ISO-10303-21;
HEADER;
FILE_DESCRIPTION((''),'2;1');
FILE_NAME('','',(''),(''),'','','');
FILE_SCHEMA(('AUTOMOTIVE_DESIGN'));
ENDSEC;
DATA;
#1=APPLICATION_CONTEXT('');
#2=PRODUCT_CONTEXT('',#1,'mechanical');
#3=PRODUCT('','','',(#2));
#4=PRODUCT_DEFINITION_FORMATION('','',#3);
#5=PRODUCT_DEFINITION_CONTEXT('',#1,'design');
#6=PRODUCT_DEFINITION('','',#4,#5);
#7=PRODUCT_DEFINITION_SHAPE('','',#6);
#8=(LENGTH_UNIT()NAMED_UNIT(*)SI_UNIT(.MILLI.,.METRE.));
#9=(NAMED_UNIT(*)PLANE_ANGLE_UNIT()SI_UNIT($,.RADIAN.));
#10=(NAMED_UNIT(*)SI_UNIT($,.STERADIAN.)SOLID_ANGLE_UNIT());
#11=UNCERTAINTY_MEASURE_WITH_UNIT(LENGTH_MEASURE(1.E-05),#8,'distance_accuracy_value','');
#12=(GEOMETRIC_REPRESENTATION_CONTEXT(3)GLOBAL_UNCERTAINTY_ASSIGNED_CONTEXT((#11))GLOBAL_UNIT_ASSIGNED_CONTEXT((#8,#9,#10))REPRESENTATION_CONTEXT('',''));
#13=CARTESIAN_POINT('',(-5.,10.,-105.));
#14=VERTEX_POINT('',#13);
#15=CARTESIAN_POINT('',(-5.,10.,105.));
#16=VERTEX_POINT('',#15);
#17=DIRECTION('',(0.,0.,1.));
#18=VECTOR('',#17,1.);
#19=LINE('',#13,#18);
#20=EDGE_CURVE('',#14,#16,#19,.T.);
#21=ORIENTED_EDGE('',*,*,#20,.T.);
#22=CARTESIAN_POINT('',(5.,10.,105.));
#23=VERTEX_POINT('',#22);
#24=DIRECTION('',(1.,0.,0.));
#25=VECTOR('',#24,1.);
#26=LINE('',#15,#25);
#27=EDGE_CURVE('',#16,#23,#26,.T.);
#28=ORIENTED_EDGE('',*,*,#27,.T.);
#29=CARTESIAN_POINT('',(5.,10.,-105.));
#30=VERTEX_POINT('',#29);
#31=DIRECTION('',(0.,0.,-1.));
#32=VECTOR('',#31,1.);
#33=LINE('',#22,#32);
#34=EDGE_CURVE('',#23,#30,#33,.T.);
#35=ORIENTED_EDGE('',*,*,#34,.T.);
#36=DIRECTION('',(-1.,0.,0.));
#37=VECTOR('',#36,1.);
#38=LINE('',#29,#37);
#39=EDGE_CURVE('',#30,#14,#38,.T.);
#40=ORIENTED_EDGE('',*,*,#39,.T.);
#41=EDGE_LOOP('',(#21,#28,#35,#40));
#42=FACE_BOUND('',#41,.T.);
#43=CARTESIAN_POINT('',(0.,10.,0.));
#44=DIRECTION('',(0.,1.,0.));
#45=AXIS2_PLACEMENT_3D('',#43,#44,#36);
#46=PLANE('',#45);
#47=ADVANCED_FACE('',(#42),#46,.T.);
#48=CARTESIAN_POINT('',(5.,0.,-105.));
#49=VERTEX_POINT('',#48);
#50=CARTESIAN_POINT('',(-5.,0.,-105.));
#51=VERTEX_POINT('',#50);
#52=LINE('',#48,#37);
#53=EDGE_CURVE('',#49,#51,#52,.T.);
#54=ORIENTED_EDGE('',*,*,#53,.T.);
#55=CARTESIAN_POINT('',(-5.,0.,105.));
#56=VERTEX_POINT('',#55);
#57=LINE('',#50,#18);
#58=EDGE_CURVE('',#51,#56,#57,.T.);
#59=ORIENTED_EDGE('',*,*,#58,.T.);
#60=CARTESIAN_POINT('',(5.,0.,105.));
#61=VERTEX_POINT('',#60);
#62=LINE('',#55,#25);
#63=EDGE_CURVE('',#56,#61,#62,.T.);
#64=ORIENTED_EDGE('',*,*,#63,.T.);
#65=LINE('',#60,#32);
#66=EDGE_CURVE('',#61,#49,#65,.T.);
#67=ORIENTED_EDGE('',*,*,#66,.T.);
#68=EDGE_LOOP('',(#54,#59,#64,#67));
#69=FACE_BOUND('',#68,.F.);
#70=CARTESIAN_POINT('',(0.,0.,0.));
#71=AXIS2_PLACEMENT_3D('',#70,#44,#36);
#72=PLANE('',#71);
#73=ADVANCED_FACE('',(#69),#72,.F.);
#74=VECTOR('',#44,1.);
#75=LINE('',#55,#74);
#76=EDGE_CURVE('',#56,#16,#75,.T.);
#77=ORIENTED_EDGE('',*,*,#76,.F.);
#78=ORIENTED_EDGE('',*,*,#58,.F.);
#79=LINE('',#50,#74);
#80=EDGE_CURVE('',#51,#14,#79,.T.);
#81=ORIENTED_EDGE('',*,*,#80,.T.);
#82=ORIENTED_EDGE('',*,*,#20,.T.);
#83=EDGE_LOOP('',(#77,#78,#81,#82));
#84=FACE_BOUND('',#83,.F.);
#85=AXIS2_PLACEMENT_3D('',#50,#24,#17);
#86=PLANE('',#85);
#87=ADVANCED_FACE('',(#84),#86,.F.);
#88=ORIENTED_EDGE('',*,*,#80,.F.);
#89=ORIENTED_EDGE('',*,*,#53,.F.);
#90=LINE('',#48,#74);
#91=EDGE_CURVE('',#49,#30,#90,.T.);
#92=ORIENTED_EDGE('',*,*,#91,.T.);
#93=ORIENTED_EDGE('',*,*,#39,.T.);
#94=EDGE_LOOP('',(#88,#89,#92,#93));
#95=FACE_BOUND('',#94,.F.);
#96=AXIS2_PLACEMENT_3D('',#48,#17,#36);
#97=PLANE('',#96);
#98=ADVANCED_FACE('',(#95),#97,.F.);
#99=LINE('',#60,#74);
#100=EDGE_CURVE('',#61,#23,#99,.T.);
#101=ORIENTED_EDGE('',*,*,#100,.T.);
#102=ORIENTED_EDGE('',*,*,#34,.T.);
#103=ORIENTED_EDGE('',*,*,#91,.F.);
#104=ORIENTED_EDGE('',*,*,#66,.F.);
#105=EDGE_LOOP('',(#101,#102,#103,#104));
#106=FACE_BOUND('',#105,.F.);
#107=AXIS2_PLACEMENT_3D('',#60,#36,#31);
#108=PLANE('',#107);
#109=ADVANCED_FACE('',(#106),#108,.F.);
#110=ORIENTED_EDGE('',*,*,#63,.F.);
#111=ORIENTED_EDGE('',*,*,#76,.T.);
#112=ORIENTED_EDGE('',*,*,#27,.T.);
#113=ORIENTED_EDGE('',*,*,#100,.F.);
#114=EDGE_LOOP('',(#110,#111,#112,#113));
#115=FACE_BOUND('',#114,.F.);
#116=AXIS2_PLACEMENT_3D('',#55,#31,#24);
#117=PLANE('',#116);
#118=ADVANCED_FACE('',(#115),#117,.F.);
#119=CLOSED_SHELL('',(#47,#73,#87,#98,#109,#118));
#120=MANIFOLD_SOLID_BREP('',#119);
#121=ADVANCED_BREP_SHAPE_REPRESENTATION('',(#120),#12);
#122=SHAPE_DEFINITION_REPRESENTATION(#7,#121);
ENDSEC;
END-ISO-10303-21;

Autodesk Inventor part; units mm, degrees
ref_plane "YZ Plane" through (0, 0, 0) normal (1, 0, 0) x (0, 1, 0)
ref_plane "XZ Plane" through (0, 0, 0) normal (0, 1, 0) x (-1, 0, 0)
ref_plane "XY Plane" through (0, 0, 0) normal (0, 0, 1) x (1, 0, 0)
sketch "Эскиз1" plane through (0, 0, 0) normal (0, 1, 0) x (-1, 0, 0)
  line L0 (-5, -105) -> (5, -105)
  line L1 (5, -105) -> (5, 105)
  line L2 (5, 105) -> (-5, 105)
  line L3 (-5, 105) -> (-5, -105)
  line L4 (-5, -105) -> (5, 105) construction
  line L5 (5, -105) -> (-5, 105) construction
  point P0 (0, 0)
  dimension "d0" = 210
  dimension "d1" = 10
extrude "Выдавливание1" add sketch "Эскиз1" along normal blind 10
